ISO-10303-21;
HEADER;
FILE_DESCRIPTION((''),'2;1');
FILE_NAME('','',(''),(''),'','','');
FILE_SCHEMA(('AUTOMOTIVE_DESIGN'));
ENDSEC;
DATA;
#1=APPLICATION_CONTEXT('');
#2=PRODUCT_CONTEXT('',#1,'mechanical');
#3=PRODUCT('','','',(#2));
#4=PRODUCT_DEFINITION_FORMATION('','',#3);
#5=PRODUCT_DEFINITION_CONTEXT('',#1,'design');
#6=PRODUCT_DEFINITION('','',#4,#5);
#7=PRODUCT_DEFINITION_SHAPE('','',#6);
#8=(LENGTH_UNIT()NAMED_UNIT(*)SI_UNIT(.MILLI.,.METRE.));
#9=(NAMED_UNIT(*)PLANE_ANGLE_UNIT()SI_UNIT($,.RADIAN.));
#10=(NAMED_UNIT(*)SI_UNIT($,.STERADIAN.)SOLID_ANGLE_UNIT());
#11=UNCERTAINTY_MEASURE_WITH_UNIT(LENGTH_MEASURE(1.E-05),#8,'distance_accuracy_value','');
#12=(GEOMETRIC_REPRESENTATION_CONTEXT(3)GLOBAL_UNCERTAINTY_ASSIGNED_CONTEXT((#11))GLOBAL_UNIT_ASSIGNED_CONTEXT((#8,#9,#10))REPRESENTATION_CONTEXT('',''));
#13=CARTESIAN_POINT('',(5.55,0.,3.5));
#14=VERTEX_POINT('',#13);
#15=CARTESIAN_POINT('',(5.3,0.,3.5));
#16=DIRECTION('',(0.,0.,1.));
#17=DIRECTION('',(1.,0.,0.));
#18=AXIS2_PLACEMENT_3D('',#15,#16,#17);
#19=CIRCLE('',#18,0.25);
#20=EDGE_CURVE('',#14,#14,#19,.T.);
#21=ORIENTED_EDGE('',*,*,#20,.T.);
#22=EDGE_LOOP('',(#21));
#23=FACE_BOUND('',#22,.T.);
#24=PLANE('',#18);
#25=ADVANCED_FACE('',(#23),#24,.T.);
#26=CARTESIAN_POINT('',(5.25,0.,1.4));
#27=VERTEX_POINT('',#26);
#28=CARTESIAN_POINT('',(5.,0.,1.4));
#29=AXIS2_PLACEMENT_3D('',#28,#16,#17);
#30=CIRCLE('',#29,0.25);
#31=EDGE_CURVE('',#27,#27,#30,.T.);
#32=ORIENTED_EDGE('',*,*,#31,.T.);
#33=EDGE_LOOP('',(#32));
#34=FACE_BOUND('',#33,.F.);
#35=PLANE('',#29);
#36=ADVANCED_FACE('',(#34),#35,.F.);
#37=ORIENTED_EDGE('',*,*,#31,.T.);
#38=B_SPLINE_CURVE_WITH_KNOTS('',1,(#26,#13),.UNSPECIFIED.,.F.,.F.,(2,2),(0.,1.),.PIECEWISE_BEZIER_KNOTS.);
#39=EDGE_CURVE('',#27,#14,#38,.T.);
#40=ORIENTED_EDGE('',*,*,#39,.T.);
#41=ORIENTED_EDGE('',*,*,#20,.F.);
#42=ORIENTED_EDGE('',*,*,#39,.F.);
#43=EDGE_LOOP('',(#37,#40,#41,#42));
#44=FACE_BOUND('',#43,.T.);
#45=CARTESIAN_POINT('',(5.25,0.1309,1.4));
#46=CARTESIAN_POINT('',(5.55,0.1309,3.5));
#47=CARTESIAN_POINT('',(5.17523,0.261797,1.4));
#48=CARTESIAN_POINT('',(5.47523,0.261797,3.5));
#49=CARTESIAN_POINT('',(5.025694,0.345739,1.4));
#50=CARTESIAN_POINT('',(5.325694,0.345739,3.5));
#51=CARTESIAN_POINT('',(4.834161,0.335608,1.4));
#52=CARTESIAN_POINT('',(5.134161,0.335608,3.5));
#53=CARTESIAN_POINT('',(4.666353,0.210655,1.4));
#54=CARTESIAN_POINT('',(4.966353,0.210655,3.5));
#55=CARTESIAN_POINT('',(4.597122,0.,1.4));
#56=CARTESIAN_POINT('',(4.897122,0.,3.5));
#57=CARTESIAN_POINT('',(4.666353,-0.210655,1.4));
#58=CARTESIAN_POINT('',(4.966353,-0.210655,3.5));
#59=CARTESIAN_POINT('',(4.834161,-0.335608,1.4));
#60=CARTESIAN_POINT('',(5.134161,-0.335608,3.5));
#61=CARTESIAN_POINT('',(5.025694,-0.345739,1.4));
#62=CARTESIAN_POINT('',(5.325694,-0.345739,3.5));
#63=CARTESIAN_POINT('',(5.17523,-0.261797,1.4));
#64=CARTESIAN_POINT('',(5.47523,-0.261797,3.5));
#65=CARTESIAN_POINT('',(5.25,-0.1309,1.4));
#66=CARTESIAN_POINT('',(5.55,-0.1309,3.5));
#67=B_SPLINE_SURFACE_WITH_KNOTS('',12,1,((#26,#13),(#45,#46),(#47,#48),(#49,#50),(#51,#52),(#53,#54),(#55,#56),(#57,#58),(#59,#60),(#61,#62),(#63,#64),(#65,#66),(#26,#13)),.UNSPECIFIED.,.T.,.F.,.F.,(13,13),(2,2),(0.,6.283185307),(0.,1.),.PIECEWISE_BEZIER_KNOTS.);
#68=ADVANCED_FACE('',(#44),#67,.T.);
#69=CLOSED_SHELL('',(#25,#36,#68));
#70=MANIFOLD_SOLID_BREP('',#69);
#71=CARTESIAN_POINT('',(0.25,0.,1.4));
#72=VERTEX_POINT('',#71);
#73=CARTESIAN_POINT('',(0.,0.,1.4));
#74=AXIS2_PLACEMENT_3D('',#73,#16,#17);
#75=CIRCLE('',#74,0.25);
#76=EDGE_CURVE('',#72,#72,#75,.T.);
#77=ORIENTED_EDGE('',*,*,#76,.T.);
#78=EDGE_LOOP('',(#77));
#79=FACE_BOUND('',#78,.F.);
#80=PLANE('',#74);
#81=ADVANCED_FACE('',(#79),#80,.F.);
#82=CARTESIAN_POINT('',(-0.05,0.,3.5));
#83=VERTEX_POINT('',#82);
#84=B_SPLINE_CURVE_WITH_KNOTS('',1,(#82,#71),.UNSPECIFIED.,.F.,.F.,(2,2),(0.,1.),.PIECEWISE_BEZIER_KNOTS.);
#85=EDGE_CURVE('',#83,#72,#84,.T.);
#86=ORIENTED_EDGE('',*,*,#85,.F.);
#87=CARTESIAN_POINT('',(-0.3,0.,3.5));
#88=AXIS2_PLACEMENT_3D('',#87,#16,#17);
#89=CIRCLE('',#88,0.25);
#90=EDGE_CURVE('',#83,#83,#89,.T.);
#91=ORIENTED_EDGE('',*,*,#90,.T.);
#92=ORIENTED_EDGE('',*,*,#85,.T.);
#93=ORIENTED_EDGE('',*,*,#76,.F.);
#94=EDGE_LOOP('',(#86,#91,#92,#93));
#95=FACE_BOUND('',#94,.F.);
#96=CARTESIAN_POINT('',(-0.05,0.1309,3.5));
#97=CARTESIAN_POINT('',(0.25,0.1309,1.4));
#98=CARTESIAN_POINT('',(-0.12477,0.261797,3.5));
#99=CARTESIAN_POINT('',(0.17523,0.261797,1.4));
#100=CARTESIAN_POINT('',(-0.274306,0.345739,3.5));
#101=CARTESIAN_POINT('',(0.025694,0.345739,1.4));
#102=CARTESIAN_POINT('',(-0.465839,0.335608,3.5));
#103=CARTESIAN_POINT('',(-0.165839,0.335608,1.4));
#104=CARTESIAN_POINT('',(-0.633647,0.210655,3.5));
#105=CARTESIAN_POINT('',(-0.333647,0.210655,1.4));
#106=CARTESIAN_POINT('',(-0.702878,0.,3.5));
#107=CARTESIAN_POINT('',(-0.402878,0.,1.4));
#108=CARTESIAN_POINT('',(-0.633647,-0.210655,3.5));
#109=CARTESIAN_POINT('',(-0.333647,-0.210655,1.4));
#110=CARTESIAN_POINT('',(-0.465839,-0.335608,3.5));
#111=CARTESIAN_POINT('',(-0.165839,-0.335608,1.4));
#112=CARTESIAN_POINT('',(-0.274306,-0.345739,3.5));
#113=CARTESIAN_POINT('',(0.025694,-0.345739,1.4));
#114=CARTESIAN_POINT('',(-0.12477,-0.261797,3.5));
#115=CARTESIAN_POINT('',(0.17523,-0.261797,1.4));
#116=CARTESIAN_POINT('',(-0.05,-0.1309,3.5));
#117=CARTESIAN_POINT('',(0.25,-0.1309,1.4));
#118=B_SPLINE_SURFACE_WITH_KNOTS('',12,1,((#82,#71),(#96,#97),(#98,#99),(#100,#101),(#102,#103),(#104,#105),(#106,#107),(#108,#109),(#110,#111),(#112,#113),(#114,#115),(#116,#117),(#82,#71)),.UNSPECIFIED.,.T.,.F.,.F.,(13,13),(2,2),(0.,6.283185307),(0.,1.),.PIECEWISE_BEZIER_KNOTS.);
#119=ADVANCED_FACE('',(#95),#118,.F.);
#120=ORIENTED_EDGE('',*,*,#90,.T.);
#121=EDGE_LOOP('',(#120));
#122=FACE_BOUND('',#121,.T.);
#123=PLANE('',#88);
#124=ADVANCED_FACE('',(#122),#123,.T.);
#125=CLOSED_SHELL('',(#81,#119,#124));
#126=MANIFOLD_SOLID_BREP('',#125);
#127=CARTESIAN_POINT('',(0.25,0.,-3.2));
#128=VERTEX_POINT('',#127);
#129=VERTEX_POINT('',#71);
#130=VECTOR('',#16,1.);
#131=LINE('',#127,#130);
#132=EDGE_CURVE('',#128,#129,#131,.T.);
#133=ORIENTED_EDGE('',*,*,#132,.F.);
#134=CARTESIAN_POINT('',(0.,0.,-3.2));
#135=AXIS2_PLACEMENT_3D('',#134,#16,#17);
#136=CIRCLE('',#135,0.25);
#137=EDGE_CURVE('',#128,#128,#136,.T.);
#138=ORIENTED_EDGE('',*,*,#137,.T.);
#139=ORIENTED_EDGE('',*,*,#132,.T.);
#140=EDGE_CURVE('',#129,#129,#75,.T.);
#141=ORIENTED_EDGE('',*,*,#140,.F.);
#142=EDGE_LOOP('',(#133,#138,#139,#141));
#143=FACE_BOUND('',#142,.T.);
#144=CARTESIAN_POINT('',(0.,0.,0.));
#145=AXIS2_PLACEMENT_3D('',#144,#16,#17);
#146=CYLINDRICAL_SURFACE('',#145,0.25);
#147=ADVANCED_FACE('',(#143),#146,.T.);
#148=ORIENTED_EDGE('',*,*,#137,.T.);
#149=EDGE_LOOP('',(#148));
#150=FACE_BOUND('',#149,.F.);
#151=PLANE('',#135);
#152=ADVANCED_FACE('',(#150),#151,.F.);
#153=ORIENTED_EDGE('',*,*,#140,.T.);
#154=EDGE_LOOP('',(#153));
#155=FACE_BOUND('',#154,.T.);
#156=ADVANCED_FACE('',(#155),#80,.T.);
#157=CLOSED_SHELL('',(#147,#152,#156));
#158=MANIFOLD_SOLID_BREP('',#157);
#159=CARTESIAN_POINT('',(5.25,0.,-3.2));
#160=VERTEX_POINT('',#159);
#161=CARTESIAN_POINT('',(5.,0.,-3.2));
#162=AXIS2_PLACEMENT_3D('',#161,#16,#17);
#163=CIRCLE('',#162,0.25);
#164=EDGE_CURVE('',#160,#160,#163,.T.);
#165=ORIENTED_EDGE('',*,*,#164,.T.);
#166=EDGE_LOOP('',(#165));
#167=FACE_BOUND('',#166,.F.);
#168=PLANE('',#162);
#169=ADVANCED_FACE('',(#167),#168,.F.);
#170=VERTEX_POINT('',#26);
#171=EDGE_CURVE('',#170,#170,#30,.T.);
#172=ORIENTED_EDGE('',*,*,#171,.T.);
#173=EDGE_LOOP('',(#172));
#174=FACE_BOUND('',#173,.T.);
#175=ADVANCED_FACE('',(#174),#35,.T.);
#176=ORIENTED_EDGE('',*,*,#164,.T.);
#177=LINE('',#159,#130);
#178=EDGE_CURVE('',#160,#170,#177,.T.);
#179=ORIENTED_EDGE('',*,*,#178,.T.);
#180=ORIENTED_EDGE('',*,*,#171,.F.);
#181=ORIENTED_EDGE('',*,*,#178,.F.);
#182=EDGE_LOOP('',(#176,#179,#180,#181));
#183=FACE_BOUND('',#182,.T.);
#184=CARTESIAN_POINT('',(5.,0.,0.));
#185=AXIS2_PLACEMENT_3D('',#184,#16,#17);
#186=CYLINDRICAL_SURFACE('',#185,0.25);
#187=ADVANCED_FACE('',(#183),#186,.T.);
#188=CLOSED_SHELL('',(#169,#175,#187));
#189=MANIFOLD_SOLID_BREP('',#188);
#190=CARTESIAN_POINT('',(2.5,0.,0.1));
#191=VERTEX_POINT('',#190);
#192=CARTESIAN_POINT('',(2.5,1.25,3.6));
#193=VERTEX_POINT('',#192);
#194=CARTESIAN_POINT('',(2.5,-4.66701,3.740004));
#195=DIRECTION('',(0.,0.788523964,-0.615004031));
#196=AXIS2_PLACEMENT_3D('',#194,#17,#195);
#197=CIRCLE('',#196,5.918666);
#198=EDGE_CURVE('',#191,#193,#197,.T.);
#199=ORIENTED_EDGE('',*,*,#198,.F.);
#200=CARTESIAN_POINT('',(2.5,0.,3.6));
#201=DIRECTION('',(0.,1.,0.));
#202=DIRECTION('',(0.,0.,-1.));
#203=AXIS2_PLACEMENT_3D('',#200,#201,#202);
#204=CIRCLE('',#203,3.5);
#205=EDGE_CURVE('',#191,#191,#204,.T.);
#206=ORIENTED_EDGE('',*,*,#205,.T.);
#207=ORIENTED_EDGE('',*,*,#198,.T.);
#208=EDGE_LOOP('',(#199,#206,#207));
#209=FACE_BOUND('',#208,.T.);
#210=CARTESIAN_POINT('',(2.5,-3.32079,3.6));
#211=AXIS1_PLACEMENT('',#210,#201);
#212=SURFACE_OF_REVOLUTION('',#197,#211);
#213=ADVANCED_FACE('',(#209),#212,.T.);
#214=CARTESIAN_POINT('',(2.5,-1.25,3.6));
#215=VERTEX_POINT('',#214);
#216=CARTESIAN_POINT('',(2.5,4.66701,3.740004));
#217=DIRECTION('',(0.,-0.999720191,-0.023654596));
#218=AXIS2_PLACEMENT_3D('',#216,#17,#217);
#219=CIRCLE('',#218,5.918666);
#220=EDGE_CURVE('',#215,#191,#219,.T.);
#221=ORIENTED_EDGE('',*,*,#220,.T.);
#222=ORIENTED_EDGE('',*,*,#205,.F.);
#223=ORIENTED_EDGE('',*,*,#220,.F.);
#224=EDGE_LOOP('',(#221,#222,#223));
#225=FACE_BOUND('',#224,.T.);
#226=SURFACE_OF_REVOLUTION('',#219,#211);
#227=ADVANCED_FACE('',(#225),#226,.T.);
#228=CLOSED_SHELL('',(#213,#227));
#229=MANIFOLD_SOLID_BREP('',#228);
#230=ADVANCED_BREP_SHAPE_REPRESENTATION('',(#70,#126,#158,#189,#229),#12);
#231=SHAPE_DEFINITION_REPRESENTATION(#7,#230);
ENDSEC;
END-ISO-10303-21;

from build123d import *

# Parameters (mm, degrees)
SKETCH001_R       = 0.25
PAD001_DEPTH      = 1.4
PAD001_DEPTH_BACK = 3.2
SKETCH002_R       = 0.25
SKETCH003_R       = 0.25
SKETCH004_R       = 0.25
SKETCH005_R       = 0.25


with BuildPart() as pad001:
    # Sketch001 → Pad001 (new body, two sides)
    with BuildSketch(Plane.XY) as pad001_sk:
        Circle(SKETCH001_R)
        with Locations((5, 0)):
            Circle(SKETCH001_R)
    extrude(amount=PAD001_DEPTH)
    extrude(pad001_sk.sketch, amount=-PAD001_DEPTH_BACK)


with BuildPart() as revolution:
    # Sketch → Revolution (revolve)
    with BuildSketch(Plane.YZ.offset(2.5)):
        with BuildLine():
            Line((-1.25, 3.6), (1.25, 3.6))
            ThreePointArc((0, 0.1), (0.906846, 1.749341), (1.25, 3.6))
            ThreePointArc((-1.25, 3.6), (-0.906846, 1.749341), (0, 0.1))
        make_face()
    revolve(axis=Axis((2.5, -3.32079, 3.6), (0, 1, 0)))


with BuildPart() as loft_body:
    # Sketch002 → Loft section 0
    with BuildSketch(Plane.XY.offset(3.5)):
        with Locations((-0.3, 0)):
            Circle(SKETCH002_R)
    # Sketch003 → Loft section 1
    with BuildSketch(Plane.XY.offset(1.4)):
        Circle(SKETCH003_R)
    loft()


with BuildPart() as loft001:
    # Sketch004 → Loft001 section 0
    with BuildSketch(Plane.XY.offset(1.4)):
        with Locations((5, 0)):
            Circle(SKETCH004_R)
    # Sketch005 → Loft001 section 1
    with BuildSketch(Plane.XY.offset(3.5)):
        with Locations((5.3, 0)):
            Circle(SKETCH005_R)
    loft()


solid = Compound([pad001.part, revolution.part, loft_body.part, loft001.part])
